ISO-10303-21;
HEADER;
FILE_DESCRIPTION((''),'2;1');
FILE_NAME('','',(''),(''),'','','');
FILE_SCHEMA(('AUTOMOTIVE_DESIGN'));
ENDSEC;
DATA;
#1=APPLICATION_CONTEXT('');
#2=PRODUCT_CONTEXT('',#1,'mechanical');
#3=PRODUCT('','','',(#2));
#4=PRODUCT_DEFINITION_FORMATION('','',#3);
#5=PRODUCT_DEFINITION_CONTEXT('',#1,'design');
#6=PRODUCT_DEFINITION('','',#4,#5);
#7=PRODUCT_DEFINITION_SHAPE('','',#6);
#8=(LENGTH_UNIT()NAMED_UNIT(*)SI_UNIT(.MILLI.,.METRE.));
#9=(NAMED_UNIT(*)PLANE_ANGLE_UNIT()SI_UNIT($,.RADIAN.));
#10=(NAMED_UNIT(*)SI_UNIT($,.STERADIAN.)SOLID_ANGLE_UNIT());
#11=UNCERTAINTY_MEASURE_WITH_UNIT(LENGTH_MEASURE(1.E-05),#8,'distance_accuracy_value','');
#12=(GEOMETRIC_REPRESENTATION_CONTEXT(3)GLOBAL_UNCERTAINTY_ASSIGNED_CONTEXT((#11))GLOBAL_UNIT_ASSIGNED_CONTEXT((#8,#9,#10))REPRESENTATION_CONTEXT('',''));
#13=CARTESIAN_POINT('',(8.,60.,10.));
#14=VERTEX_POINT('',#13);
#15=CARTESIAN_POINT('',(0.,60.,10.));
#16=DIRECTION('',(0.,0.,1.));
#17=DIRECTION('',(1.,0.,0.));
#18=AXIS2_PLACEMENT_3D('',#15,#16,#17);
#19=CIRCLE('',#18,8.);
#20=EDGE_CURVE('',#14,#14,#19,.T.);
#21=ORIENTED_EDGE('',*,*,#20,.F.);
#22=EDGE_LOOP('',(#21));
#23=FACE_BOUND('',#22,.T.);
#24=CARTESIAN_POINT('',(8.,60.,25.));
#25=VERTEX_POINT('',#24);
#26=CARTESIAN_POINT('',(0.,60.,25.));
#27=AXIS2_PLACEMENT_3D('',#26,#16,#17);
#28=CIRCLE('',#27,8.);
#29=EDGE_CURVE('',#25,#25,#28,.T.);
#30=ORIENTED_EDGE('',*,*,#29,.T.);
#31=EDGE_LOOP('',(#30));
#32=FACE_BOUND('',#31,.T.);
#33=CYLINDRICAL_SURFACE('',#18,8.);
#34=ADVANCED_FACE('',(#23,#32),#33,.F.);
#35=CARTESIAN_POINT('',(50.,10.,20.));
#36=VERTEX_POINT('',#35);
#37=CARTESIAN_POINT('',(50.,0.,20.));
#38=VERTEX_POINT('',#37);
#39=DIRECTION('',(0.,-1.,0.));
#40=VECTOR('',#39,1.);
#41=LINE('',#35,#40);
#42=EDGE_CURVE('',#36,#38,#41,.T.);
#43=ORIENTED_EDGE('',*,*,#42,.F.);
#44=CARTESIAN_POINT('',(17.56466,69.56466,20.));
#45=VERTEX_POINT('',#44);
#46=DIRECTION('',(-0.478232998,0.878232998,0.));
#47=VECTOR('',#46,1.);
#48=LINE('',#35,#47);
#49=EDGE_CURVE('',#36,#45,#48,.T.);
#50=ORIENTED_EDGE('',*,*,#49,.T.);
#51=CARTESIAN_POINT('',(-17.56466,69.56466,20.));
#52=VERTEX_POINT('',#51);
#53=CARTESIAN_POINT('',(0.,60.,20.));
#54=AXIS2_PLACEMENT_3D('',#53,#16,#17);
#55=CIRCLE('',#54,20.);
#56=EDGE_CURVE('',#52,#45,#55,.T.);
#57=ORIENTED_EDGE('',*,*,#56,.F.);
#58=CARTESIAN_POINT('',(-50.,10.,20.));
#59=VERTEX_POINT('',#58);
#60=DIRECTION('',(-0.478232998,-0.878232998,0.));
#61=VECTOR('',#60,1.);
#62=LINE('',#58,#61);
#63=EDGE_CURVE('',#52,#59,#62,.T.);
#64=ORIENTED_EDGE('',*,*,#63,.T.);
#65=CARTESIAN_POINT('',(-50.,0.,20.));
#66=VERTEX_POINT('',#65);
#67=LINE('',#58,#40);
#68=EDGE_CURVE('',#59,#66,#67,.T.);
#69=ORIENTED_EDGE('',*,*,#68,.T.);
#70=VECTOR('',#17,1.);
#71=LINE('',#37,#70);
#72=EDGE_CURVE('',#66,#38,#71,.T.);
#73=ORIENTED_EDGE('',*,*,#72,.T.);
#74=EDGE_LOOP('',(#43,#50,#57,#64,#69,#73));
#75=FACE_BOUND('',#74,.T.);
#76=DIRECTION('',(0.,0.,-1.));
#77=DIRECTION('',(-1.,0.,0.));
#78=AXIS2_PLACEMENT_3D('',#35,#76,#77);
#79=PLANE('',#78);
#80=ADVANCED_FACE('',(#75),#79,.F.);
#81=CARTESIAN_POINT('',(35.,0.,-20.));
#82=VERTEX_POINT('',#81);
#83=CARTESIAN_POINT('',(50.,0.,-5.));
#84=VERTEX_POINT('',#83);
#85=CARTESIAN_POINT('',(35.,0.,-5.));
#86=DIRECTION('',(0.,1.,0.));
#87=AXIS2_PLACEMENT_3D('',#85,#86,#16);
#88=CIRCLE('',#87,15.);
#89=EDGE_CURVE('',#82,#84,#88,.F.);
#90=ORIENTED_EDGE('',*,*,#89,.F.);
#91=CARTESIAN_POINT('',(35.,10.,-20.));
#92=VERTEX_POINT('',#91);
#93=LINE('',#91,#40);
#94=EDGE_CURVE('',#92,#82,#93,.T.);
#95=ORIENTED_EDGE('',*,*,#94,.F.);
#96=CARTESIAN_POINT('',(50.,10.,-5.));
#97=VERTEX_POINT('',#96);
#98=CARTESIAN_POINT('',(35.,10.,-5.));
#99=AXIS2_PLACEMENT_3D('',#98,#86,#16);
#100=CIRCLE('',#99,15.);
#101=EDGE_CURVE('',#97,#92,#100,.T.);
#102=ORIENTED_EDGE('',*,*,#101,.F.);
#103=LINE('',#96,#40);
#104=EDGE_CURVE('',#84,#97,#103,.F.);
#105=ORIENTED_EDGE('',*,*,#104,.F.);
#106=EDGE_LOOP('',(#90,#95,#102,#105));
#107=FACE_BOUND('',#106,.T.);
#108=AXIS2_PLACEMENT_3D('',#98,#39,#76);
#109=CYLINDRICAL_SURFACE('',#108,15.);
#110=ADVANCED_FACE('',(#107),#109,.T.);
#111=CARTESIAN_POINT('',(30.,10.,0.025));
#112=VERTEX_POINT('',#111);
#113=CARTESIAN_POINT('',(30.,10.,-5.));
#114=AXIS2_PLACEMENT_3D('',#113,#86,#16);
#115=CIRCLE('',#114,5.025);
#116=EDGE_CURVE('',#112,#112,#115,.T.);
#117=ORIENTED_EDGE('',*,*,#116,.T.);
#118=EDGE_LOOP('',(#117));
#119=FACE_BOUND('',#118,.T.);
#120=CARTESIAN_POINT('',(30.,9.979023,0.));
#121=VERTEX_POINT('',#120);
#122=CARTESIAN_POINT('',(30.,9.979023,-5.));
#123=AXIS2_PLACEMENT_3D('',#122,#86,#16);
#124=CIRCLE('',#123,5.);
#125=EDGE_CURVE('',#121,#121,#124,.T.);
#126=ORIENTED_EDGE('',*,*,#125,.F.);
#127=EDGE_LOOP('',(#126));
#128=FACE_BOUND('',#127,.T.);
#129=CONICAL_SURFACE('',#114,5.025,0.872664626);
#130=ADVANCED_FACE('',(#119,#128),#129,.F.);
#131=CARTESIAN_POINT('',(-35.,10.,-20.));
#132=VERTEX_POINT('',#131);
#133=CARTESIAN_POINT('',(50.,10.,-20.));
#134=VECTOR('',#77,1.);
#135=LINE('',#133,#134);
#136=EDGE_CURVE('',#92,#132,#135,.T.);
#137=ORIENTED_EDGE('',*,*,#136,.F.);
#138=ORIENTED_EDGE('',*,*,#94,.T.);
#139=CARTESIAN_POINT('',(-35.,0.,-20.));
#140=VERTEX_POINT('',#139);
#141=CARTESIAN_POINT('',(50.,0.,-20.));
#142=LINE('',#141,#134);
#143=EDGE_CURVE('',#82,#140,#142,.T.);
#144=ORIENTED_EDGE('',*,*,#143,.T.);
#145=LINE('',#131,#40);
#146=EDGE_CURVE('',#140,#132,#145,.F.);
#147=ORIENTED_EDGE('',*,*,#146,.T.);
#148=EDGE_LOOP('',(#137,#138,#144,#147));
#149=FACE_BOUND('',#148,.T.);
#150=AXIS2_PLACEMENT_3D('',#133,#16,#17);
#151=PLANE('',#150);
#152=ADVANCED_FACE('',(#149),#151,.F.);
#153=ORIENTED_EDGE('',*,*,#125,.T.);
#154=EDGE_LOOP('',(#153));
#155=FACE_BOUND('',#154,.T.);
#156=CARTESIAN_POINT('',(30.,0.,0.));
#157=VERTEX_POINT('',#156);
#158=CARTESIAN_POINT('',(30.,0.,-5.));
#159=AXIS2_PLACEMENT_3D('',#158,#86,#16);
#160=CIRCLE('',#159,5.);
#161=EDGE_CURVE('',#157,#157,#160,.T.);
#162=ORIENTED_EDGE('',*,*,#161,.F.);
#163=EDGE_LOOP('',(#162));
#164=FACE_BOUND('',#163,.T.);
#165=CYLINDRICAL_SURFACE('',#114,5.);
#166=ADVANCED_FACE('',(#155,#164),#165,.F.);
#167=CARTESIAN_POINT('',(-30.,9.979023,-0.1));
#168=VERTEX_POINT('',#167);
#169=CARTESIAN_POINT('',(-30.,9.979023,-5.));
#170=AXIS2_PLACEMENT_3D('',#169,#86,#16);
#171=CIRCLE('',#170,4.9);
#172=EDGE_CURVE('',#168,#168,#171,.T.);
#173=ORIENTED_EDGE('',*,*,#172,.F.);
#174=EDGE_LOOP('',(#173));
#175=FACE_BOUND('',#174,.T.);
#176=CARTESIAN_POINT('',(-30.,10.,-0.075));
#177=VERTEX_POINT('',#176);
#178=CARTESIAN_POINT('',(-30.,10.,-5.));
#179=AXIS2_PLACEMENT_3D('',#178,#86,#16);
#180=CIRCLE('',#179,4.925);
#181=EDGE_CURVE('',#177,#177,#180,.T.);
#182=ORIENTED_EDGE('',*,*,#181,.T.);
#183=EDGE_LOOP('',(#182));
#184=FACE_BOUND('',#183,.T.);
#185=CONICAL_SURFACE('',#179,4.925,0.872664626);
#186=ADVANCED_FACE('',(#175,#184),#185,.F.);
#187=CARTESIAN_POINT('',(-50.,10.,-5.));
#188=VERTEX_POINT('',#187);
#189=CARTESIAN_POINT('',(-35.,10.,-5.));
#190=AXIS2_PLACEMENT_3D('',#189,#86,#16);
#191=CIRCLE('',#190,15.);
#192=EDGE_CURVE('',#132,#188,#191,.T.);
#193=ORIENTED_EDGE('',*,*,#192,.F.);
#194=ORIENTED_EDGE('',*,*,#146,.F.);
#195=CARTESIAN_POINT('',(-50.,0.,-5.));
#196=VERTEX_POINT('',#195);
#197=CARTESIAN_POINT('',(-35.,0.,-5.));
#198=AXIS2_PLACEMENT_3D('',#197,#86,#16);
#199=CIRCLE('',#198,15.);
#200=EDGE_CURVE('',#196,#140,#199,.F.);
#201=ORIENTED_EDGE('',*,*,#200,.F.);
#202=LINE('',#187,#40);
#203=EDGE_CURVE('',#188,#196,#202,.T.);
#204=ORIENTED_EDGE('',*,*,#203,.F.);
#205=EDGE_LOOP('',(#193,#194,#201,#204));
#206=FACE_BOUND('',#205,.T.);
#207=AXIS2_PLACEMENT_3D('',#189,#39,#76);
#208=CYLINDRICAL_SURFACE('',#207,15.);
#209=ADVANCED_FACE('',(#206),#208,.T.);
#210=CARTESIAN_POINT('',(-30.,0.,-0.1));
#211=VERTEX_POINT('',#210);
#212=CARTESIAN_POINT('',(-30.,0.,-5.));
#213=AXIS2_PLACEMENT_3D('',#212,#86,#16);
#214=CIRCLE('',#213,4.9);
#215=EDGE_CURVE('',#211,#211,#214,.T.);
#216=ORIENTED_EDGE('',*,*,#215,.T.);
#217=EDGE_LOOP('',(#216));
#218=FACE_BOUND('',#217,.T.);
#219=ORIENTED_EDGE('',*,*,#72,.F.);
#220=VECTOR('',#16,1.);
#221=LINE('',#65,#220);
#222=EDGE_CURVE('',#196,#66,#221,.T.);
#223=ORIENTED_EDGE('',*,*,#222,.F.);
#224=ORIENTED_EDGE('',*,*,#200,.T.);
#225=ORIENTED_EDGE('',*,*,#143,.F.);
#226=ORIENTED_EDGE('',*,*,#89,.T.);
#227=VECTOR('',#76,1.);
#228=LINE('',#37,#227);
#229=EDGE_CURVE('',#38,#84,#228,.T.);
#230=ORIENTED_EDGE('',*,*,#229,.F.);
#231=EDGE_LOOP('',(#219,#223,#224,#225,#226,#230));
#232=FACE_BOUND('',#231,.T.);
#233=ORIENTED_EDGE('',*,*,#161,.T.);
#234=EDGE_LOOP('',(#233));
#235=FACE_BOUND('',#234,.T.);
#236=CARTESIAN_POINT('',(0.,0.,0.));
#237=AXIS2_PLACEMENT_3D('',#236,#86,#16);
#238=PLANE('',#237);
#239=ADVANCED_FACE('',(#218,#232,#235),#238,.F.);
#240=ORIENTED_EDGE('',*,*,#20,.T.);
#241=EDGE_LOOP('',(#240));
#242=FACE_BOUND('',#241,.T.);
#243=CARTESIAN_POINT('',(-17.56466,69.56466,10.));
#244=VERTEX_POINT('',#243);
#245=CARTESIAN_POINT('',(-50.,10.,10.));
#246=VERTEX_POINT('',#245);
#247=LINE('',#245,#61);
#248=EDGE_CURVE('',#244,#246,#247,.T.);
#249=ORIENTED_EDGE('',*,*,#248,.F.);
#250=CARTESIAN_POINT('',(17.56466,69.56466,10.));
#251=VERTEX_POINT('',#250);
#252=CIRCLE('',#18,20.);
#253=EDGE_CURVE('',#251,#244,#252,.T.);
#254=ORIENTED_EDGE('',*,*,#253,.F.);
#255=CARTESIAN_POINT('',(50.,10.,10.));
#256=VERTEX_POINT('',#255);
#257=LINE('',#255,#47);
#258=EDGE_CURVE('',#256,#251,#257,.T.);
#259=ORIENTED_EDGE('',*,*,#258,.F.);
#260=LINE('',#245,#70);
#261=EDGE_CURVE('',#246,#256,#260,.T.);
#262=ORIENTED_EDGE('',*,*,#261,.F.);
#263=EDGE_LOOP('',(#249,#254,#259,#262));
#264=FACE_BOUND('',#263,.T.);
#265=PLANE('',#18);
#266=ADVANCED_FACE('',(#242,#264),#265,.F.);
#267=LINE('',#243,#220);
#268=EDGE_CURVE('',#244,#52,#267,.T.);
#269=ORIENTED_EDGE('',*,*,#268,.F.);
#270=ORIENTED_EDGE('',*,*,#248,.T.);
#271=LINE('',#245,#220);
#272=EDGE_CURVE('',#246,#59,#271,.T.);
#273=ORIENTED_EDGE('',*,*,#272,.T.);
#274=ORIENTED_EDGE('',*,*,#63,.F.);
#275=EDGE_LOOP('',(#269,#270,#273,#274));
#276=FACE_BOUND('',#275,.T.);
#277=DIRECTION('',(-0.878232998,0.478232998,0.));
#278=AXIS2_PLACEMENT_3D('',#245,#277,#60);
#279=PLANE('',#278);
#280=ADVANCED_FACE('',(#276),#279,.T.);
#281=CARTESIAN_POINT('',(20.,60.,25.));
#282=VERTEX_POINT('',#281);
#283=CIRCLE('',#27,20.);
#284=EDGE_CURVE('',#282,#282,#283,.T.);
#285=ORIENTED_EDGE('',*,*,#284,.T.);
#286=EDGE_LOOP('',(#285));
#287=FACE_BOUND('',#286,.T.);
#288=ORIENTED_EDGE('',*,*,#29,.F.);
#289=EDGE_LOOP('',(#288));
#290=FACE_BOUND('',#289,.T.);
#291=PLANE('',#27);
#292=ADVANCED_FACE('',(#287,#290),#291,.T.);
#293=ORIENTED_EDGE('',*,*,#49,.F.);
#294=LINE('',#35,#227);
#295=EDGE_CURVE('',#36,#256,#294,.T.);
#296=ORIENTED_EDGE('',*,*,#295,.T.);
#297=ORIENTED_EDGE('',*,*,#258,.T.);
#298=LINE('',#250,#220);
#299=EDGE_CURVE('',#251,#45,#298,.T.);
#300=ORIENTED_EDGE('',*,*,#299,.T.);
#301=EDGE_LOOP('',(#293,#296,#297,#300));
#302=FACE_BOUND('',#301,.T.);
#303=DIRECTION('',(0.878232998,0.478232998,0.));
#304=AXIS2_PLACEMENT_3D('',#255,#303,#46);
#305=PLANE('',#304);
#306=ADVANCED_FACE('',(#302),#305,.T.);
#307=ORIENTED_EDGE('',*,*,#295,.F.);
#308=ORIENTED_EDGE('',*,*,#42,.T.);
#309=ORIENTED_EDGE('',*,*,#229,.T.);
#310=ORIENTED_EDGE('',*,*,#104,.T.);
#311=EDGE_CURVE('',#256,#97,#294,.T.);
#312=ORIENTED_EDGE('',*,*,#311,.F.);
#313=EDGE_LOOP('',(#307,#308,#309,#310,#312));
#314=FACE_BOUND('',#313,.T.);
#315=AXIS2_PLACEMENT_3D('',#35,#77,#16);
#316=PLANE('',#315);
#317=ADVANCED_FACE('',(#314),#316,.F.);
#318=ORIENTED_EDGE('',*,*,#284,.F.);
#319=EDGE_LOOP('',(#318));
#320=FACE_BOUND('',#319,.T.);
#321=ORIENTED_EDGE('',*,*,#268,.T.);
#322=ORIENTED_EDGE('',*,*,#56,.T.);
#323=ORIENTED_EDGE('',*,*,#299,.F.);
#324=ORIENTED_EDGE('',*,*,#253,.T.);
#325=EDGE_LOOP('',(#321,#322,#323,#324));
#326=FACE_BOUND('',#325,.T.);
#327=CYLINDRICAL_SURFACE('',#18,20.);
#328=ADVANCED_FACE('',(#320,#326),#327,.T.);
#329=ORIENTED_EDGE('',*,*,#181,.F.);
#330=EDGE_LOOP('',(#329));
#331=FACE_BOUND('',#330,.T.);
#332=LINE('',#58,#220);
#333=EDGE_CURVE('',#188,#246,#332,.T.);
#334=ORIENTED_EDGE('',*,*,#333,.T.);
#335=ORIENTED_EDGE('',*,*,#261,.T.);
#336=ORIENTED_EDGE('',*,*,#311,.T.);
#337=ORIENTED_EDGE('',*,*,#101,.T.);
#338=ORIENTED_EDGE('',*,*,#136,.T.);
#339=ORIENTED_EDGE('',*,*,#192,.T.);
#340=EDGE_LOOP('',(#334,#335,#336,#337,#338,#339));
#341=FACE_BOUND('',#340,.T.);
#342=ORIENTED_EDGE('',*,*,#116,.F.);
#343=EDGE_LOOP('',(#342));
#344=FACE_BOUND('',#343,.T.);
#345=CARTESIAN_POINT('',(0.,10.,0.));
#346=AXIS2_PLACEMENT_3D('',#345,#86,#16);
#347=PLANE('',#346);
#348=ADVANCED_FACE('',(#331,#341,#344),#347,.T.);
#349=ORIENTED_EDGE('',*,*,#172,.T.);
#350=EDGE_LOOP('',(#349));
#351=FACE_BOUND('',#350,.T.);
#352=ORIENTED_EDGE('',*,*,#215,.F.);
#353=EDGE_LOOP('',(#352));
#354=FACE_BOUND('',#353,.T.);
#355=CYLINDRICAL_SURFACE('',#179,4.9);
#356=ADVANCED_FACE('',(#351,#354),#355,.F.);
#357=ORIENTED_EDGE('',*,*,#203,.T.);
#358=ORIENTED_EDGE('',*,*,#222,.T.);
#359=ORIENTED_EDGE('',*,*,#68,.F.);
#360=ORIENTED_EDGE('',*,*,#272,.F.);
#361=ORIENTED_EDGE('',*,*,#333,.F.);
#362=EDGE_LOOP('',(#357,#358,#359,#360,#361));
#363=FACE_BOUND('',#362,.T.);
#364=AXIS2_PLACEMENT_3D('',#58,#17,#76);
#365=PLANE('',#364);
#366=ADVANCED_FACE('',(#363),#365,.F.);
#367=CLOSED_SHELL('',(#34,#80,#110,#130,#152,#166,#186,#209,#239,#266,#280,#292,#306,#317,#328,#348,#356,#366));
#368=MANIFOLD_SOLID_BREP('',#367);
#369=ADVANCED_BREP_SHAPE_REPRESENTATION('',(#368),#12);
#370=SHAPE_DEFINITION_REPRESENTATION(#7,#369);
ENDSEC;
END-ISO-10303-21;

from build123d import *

# Parameters (mm, degrees)
CROQUIS1_W                           = 100
CROQUIS1_H                           = 40
SALIENTE_EXTRUIR1_DEPTH              = 10
CROQUIS2_R                           = 8
SALIENTE_EXTRUIR2_DEPTH              = 10
SALIENTE_EXTRUIR3_START              = 5
CROQUIS3_R                           = 20
CROQUIS3_R_2                         = 8
SALIENTE_EXTRUIR3_DEPTH              = 5
F_9_8_9_8_DIAMETER_HOLE1_D           = 9.8
F_9_8_9_8_DIAMETER_HOLE1_CSINK_D     = 9.85
F_9_8_9_8_DIAMETER_HOLE1_CSINK_ANGLE = 100
F_10_0_10_DIAMETER_HOLE1_D           = 10
F_10_0_10_DIAMETER_HOLE1_CSINK_D     = 10.05
F_10_0_10_DIAMETER_HOLE1_CSINK_ANGLE = 100
REDONDEO1_R                          = 15


with BuildPart() as part:
    # Croquis1 → Saliente-Extruir1 (new body)
    with BuildSketch(Plane(origin=(0, 0, 0), x_dir=(1, 0, 0), z_dir=(0, 1, 0))):
        Rectangle(CROQUIS1_W, CROQUIS1_H)
    extrude(amount=SALIENTE_EXTRUIR1_DEPTH)

    # Croquis2 → Saliente-Extruir2 (add)
    with BuildSketch(Plane.XY.offset(20)):
        with BuildLine():
            Line((-50, 10), (-17.564659966, 69.564659966))
            ThreePointArc((-17.564659966, 69.564659966), (0, 80), (17.564659966, 69.564659966))
            Line((17.564659966, 69.564659966), (50, 10))
            Line((50, 10), (-50, 10))
        make_face()
        with Locations((0, 60)):
            Circle(CROQUIS2_R, mode=Mode.SUBTRACT)
    extrude(amount=-SALIENTE_EXTRUIR2_DEPTH)

    # Croquis3 → Saliente-Extruir3 (add)
    with BuildSketch(Plane.XY.offset(20).offset(SALIENTE_EXTRUIR3_START)):
        with Locations((0, 60)):
            Circle(CROQUIS3_R)
        with Locations((0, 60)):
            Circle(CROQUIS3_R_2, mode=Mode.SUBTRACT)
    extrude(amount=-SALIENTE_EXTRUIR3_DEPTH)

    # Ø9.8 (9.8) Diameter Hole1 (through all)
    with Locations(Plane(origin=(0, 10, 0), x_dir=(1, 0, 0), z_dir=(0, 1, 0))):
        with Locations((-30, 5)):
            CounterSinkHole(F_9_8_9_8_DIAMETER_HOLE1_D / 2, F_9_8_9_8_DIAMETER_HOLE1_CSINK_D / 2, counter_sink_angle=F_9_8_9_8_DIAMETER_HOLE1_CSINK_ANGLE)

    # Ø10.0 (10) Diameter Hole1 (through all)
    with Locations(Plane(origin=(0, 10, 0), x_dir=(1, 0, 0), z_dir=(0, 1, 0))):
        with Locations((30, 5)):
            CounterSinkHole(F_10_0_10_DIAMETER_HOLE1_D / 2, F_10_0_10_DIAMETER_HOLE1_CSINK_D / 2, counter_sink_angle=F_10_0_10_DIAMETER_HOLE1_CSINK_ANGLE)

    # Redondeo1
    redondeo1_edges = [part.edges().sort_by_distance(p)[0] for p in [
        (-50, 5, -20),
        (50, 5, -20),
    ]]
    fillet(redondeo1_edges, radius=REDONDEO1_R)


solid = part.part
